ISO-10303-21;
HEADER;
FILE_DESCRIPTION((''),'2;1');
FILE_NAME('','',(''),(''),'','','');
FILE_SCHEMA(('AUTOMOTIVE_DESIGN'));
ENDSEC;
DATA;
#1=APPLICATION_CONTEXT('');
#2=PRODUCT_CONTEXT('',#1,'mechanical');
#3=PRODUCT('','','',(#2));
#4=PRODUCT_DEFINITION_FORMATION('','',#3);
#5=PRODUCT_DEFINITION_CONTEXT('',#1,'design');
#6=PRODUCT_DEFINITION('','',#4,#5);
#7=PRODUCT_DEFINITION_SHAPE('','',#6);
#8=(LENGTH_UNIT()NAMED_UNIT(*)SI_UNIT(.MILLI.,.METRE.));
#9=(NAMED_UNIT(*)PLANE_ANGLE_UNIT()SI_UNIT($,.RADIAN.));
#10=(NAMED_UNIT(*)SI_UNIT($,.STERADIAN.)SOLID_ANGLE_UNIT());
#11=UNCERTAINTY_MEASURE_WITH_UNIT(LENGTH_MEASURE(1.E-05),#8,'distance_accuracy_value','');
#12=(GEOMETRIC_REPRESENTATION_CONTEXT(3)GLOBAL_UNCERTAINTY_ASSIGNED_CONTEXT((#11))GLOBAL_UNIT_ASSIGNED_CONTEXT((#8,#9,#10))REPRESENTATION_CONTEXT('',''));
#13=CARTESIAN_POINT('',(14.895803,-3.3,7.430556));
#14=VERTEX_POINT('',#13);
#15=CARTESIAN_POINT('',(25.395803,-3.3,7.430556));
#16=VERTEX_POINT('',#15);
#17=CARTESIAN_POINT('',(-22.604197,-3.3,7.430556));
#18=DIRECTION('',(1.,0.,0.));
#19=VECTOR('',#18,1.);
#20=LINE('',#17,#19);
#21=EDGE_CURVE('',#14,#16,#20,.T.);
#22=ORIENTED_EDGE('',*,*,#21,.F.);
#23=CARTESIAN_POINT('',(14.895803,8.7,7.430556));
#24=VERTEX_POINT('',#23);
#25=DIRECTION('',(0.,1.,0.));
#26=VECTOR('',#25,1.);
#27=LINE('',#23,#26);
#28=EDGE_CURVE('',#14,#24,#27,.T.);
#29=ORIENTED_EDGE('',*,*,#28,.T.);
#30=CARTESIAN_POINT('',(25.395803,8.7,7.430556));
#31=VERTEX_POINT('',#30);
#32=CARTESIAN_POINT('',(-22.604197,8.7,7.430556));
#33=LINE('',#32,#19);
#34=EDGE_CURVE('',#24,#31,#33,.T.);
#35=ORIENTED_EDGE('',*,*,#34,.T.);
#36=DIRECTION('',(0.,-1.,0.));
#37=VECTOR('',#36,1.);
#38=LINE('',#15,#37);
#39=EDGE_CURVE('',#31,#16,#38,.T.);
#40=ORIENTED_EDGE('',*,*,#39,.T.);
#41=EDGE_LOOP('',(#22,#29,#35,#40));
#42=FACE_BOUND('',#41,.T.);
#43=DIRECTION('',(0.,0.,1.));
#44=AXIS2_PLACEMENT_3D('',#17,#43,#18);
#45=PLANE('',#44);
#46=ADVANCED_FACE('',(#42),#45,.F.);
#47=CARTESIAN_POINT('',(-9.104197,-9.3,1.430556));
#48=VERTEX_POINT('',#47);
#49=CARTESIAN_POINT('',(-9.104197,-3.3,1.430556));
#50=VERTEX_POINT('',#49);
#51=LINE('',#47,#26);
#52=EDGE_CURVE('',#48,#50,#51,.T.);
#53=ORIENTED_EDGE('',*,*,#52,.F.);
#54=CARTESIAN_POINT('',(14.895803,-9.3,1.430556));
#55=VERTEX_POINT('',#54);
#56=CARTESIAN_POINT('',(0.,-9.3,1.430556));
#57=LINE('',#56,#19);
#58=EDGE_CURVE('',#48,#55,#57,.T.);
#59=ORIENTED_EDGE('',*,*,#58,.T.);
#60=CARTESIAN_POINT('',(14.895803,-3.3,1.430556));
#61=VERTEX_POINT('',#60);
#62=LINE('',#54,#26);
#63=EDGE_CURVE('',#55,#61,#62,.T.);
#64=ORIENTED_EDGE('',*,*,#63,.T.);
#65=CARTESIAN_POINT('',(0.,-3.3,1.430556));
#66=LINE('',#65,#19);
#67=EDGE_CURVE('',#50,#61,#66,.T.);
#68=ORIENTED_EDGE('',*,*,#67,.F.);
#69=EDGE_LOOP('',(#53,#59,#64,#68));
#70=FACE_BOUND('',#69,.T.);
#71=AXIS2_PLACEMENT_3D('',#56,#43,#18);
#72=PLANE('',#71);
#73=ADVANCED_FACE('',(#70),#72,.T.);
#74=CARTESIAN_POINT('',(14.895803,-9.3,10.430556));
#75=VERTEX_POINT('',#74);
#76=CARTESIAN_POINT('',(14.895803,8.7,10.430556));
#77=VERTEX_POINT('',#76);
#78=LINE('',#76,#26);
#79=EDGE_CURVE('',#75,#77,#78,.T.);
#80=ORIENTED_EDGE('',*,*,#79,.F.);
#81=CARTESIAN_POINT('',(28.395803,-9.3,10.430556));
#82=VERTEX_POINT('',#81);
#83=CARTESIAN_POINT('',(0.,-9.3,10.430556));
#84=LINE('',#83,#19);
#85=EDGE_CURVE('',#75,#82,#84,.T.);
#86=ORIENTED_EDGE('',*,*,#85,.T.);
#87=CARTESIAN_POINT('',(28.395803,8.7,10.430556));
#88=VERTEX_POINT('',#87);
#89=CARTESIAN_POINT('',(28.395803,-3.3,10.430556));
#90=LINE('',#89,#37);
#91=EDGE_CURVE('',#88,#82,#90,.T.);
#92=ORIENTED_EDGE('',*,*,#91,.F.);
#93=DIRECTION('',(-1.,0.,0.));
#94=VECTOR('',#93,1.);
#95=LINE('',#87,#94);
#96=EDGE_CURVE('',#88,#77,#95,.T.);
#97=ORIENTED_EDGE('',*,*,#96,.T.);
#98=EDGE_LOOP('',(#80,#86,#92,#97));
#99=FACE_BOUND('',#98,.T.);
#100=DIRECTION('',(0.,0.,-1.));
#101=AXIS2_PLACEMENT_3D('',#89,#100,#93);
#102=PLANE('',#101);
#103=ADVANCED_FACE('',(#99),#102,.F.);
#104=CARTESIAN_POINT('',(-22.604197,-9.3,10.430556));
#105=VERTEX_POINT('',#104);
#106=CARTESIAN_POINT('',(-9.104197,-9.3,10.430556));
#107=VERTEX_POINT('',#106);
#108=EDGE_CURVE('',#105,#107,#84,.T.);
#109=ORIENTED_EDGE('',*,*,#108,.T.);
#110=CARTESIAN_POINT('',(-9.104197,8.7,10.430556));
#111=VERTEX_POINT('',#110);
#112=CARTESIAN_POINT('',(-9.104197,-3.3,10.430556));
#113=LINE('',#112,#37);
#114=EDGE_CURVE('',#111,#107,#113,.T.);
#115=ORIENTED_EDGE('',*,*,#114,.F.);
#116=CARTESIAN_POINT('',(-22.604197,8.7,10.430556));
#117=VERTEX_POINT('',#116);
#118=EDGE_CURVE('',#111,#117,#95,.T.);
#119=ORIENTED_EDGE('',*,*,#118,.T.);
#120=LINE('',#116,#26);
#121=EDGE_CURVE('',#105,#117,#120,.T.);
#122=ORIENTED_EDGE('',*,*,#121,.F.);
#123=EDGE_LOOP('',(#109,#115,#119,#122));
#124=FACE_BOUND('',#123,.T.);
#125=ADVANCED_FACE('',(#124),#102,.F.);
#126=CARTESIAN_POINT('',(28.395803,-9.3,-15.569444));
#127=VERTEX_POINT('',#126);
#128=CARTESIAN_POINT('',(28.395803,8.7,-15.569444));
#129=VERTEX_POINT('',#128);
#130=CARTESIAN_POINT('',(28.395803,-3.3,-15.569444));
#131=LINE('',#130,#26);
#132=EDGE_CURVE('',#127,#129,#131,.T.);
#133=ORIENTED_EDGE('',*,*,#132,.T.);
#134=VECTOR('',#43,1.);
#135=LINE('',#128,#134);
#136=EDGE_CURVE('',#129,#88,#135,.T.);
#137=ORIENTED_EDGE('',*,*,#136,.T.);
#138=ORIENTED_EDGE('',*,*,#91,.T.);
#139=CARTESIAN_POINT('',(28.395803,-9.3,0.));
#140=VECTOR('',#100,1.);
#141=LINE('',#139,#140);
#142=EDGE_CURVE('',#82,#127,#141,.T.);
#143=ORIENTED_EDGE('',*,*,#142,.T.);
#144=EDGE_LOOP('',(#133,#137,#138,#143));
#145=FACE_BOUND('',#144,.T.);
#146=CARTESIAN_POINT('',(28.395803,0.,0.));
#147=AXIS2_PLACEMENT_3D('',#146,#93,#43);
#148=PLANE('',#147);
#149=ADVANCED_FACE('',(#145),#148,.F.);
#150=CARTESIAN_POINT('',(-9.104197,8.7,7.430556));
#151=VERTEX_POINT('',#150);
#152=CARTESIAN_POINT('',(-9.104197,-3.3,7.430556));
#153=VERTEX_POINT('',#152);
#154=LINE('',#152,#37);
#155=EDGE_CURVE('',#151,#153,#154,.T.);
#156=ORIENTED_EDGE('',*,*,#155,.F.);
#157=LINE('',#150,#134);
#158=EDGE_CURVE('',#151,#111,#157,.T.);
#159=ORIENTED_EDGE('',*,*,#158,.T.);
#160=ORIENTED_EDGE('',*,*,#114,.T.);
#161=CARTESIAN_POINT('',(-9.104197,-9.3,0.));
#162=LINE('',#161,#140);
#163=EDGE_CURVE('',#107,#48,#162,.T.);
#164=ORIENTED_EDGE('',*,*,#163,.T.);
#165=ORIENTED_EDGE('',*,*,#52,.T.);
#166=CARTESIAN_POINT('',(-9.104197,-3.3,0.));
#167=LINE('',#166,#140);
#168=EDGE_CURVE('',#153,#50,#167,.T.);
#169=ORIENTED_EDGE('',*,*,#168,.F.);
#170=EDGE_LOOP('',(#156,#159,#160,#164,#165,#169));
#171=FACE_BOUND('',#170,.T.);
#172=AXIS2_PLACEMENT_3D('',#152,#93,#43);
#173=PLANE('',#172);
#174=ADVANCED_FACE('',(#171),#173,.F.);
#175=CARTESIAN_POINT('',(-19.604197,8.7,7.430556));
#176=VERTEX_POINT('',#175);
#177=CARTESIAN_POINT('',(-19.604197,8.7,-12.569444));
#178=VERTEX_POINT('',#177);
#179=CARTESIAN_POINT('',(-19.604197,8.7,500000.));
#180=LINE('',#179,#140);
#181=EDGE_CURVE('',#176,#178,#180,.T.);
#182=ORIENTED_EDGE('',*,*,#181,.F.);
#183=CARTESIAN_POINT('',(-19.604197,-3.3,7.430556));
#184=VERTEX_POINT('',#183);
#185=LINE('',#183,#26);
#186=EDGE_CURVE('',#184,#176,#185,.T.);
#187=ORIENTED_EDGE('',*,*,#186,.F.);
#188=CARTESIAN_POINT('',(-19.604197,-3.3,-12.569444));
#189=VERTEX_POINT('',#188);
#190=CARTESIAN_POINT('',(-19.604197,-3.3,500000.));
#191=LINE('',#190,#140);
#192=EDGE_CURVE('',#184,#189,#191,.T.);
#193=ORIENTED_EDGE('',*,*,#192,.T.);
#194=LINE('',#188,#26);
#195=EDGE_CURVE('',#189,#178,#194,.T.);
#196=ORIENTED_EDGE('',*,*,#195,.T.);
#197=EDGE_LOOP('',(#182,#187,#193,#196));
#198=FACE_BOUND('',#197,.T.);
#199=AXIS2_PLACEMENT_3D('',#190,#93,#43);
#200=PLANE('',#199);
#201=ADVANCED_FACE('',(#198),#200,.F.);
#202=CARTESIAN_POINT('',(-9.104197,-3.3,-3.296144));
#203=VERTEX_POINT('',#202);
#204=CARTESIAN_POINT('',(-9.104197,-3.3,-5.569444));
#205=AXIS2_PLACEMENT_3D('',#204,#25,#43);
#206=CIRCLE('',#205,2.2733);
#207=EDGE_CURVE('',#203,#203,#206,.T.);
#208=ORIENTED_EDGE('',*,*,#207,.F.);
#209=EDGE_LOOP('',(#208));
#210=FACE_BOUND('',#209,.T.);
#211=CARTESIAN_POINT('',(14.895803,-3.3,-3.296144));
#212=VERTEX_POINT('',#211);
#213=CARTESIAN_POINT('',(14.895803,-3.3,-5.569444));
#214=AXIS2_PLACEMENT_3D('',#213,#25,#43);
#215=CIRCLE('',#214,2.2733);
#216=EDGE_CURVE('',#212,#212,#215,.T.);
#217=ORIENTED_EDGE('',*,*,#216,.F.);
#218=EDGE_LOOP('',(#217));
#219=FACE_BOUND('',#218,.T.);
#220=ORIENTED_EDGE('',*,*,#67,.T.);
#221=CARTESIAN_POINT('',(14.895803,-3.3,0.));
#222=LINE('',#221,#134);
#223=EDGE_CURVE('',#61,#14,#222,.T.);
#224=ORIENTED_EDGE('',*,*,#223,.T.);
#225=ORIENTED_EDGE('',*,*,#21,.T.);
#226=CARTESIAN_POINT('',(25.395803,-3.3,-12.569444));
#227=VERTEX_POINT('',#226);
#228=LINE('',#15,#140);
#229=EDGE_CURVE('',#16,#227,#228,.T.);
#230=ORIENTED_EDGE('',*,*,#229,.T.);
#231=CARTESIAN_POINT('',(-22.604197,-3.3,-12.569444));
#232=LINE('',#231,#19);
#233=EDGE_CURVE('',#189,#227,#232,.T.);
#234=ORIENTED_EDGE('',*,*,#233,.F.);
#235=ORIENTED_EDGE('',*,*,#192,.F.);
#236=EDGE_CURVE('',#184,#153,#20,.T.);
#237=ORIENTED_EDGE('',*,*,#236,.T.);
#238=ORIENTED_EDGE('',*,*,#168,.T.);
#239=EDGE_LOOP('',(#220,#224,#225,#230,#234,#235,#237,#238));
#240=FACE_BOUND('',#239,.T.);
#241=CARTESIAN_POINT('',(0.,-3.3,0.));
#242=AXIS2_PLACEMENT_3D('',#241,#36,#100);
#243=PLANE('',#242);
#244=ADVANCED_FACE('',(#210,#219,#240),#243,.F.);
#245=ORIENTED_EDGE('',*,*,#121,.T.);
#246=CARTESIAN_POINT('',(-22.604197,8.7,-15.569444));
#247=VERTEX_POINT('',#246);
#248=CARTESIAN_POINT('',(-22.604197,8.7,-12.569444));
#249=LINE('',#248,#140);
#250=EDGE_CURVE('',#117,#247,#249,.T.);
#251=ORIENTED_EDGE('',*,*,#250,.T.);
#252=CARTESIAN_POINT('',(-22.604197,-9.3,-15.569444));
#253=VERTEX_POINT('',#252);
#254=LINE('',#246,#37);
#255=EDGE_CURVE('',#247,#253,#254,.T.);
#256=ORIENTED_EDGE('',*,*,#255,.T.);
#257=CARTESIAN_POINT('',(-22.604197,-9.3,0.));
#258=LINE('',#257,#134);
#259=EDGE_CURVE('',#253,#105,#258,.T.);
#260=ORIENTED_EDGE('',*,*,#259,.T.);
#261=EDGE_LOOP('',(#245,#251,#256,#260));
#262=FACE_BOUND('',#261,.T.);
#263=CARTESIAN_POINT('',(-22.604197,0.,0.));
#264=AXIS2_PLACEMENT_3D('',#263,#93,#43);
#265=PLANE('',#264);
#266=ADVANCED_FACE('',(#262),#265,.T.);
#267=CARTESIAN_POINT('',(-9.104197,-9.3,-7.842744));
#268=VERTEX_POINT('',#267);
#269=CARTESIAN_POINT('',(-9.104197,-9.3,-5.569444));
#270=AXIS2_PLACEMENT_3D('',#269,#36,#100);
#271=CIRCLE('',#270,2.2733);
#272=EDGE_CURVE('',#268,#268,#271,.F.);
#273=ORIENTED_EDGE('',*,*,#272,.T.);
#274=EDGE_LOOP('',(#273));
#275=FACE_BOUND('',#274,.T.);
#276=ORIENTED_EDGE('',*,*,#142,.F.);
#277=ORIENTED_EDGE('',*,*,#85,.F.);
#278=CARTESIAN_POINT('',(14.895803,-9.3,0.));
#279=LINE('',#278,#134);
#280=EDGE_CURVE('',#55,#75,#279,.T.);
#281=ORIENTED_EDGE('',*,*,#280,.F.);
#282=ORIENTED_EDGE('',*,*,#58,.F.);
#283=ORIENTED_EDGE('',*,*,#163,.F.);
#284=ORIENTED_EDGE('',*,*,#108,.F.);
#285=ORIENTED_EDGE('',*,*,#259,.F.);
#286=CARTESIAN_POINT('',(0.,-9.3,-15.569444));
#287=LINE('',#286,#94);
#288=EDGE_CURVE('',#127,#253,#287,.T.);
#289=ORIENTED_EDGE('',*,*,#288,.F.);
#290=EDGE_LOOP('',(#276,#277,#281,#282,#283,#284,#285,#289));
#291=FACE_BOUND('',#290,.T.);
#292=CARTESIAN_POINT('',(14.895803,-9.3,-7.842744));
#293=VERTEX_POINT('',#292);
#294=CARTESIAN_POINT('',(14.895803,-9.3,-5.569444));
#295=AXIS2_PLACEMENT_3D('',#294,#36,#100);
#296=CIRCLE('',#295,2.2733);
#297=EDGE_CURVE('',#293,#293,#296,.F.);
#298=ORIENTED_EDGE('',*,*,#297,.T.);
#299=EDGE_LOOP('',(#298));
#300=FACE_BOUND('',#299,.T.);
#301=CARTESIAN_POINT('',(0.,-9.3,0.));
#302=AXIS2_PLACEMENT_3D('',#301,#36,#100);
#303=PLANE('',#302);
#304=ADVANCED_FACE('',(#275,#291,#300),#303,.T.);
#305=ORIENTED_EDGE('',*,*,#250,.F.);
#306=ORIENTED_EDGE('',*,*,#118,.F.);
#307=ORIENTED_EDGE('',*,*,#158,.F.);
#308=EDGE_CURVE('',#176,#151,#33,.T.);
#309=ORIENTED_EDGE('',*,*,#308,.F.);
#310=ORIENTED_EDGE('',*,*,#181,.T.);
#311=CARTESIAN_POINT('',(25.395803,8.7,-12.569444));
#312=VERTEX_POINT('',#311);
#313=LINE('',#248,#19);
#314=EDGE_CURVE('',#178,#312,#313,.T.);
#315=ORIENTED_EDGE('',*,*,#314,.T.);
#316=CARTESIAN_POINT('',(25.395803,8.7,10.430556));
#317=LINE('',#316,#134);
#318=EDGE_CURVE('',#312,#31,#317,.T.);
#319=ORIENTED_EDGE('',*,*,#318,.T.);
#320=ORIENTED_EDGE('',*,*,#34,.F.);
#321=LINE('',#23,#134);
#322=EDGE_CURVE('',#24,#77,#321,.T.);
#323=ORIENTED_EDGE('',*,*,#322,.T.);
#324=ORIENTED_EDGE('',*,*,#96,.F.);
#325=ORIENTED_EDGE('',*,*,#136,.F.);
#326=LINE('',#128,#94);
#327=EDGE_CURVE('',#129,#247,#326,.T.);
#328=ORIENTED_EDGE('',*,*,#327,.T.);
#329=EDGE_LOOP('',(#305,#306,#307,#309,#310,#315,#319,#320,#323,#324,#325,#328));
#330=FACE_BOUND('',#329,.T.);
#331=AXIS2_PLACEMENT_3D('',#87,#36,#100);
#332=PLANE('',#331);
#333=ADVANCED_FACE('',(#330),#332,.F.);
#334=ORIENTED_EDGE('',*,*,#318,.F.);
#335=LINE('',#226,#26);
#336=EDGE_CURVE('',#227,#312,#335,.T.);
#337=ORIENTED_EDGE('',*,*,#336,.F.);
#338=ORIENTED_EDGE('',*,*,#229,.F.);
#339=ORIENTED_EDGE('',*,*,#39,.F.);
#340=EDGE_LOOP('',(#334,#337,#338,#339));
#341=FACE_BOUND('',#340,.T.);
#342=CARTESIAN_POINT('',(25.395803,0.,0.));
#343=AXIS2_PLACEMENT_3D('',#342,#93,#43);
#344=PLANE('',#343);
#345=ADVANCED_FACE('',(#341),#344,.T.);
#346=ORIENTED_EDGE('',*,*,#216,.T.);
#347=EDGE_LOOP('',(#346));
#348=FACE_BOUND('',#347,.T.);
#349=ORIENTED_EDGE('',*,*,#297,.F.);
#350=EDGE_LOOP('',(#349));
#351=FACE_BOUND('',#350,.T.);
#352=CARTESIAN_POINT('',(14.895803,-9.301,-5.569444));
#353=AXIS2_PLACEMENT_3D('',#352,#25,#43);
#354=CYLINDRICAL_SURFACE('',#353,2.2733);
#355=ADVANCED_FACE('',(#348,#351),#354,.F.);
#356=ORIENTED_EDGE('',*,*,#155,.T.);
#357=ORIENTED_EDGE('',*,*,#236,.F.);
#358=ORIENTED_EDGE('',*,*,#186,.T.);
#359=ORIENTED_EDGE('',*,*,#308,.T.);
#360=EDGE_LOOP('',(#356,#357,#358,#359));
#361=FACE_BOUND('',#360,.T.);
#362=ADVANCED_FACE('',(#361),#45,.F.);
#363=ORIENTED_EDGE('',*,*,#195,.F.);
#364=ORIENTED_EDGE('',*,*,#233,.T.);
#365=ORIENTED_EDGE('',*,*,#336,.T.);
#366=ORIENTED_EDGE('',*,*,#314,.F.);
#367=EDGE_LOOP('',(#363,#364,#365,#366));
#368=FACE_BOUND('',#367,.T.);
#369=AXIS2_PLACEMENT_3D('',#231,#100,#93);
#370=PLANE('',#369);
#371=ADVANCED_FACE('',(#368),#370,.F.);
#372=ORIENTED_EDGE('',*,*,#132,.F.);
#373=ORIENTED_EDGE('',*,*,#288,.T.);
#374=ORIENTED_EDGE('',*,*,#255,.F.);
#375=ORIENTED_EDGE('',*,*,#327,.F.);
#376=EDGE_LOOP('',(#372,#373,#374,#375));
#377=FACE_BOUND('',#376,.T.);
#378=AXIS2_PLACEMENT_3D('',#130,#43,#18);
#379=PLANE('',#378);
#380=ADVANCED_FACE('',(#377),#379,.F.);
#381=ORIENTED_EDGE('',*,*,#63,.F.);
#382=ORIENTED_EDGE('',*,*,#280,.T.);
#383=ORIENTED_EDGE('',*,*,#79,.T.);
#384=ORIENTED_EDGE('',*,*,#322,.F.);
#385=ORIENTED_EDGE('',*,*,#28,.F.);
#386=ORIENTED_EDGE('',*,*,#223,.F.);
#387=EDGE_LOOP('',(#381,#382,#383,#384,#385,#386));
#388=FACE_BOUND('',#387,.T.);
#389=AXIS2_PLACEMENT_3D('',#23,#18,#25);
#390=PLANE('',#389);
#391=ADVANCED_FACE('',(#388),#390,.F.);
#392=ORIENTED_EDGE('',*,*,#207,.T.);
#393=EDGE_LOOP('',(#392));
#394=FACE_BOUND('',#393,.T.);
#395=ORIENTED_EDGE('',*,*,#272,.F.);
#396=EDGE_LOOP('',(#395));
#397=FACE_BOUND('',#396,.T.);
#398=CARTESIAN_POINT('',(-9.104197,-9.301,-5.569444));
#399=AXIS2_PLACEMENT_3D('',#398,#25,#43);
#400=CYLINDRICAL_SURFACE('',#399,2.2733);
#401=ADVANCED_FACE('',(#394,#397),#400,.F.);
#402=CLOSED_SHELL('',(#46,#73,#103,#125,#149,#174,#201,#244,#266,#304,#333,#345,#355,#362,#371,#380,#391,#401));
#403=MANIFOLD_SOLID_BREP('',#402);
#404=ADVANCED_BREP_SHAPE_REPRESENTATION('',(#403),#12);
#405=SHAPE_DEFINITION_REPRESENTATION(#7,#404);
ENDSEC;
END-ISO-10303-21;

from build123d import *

# Parameters (mm, degrees)
BOSS_EXTRUDE10_DEPTH = 3
SKETCH12_W           = 3
SKETCH12_H           = 12
BOSS_EXTRUDE11_DEPTH = 48
BOSS_EXTRUDE12_REACH = 39.563
SKETCH13_W           = 3
SKETCH13_H           = 12
CUT_EXTRUDE1_DEPTH   = 3
BOSS_EXTRUDE13_DEPTH = 6
CUT_EXTRUDE2_REACH   = 36.536
SKETCH16_R           = 2.2733


with BuildPart() as part:
    # Sketch10 → Boss-Extrude10 (new body)
    with BuildSketch(Plane(origin=(25.395802875, 0, 0), x_dir=(0, 0, -1), z_dir=(1, 0, 0))):
        Polygon((12.569444444, -3.3), (15.569444444, -3.3), (15.569444444, 8.7), (12.569444444, 8.7), (-7.430555556, 8.7), (-10.430555556, 8.7), (-10.430555556, -3.3), (-7.430555556, -3.3), align=None)
    extrude(amount=BOSS_EXTRUDE10_DEPTH)

    # Sketch12 → Boss-Extrude11 (add)
    with BuildSketch(Plane.ZY.offset(-25.395802875)):
        with Locations((-14.069444444, 2.7)):
            Rectangle(SKETCH12_W, SKETCH12_H)
        with Locations((8.930555556, 2.7)):
            Rectangle(SKETCH12_W, SKETCH12_H)
    extrude(amount=BOSS_EXTRUDE11_DEPTH)

    # Sketch13 → Boss-Extrude12 (add, up to next)
    with BuildSketch(Plane.XY.offset(-12.569444444), mode=Mode.PRIVATE) as boss_extrude12_sk1:
        with Locations((-21.104197125, 2.7)):
            Rectangle(SKETCH13_W, SKETCH13_H)
    boss_extrude12_tool1 = extrude(boss_extrude12_sk1.sketch, amount=BOSS_EXTRUDE12_REACH, mode=Mode.PRIVATE) - part.part
    add(boss_extrude12_tool1.solids().sort_by_distance((-21.104197, 2.7, -12.569444))[0])

    # Sketch14 → Cut-Extrude1 (cut)
    with BuildSketch(Plane.XY.offset(10.430555556)):
        Polygon((2.895802875, 8.7), (14.895802875, 8.7), (14.895802875, -3.3), (-9.104197125, -3.3), (-9.104197125, 8.7), align=None)
    extrude(amount=-CUT_EXTRUDE1_DEPTH, mode=Mode.SUBTRACT)

    # Sketch15 → Boss-Extrude13 (add)
    with BuildSketch(Plane.XZ.offset(3.3)):
        Polygon((-22.604197125, 10.430555556), (-22.604197125, -15.569444444), (28.395802875, -15.569444444), (28.395802875, 10.430555556), (14.895802875, 10.430555556), (14.895802875, 7.430555556), (14.895802875, 1.430555556), (-9.104197125, 1.430555556), (-9.104197125, 7.430555556), (-9.104197125, 10.430555556), align=None)
    extrude(amount=BOSS_EXTRUDE13_DEPTH)

    # Sketch16 → Cut-Extrude2 (cut, up to next)
    with BuildSketch(Plane(origin=(0, -3.3, 0), x_dir=(1, 0, 0), z_dir=(0, 1, 0)), mode=Mode.PRIVATE) as cut_extrude2_sk1:
        with Locations(Location((-9.104197125, 5.569444444, 0), (0, 0, 270))):
            Circle(SKETCH16_R)
    cut_extrude2_tool1 = extrude(cut_extrude2_sk1.sketch, amount=-CUT_EXTRUDE2_REACH, mode=Mode.PRIVATE) & part.part
    # Sketch16 → Cut-Extrude2 (cut, up to next)
    with BuildSketch(Plane(origin=(0, -3.3, 0), x_dir=(1, 0, 0), z_dir=(0, 1, 0)), mode=Mode.PRIVATE) as cut_extrude2_sk2:
        with Locations(Location((14.895802875, 5.569444444, 0), (0, 0, 270))):
            Circle(SKETCH16_R)
    cut_extrude2_tool2 = extrude(cut_extrude2_sk2.sketch, amount=-CUT_EXTRUDE2_REACH, mode=Mode.PRIVATE) & part.part
    add(cut_extrude2_tool1.solids().sort_by_distance((-9.104197, -3.3, -5.569444))[0], mode=Mode.SUBTRACT)
    add(cut_extrude2_tool2.solids().sort_by_distance((14.895803, -3.3, -5.569444))[0], mode=Mode.SUBTRACT)


solid = part.part
